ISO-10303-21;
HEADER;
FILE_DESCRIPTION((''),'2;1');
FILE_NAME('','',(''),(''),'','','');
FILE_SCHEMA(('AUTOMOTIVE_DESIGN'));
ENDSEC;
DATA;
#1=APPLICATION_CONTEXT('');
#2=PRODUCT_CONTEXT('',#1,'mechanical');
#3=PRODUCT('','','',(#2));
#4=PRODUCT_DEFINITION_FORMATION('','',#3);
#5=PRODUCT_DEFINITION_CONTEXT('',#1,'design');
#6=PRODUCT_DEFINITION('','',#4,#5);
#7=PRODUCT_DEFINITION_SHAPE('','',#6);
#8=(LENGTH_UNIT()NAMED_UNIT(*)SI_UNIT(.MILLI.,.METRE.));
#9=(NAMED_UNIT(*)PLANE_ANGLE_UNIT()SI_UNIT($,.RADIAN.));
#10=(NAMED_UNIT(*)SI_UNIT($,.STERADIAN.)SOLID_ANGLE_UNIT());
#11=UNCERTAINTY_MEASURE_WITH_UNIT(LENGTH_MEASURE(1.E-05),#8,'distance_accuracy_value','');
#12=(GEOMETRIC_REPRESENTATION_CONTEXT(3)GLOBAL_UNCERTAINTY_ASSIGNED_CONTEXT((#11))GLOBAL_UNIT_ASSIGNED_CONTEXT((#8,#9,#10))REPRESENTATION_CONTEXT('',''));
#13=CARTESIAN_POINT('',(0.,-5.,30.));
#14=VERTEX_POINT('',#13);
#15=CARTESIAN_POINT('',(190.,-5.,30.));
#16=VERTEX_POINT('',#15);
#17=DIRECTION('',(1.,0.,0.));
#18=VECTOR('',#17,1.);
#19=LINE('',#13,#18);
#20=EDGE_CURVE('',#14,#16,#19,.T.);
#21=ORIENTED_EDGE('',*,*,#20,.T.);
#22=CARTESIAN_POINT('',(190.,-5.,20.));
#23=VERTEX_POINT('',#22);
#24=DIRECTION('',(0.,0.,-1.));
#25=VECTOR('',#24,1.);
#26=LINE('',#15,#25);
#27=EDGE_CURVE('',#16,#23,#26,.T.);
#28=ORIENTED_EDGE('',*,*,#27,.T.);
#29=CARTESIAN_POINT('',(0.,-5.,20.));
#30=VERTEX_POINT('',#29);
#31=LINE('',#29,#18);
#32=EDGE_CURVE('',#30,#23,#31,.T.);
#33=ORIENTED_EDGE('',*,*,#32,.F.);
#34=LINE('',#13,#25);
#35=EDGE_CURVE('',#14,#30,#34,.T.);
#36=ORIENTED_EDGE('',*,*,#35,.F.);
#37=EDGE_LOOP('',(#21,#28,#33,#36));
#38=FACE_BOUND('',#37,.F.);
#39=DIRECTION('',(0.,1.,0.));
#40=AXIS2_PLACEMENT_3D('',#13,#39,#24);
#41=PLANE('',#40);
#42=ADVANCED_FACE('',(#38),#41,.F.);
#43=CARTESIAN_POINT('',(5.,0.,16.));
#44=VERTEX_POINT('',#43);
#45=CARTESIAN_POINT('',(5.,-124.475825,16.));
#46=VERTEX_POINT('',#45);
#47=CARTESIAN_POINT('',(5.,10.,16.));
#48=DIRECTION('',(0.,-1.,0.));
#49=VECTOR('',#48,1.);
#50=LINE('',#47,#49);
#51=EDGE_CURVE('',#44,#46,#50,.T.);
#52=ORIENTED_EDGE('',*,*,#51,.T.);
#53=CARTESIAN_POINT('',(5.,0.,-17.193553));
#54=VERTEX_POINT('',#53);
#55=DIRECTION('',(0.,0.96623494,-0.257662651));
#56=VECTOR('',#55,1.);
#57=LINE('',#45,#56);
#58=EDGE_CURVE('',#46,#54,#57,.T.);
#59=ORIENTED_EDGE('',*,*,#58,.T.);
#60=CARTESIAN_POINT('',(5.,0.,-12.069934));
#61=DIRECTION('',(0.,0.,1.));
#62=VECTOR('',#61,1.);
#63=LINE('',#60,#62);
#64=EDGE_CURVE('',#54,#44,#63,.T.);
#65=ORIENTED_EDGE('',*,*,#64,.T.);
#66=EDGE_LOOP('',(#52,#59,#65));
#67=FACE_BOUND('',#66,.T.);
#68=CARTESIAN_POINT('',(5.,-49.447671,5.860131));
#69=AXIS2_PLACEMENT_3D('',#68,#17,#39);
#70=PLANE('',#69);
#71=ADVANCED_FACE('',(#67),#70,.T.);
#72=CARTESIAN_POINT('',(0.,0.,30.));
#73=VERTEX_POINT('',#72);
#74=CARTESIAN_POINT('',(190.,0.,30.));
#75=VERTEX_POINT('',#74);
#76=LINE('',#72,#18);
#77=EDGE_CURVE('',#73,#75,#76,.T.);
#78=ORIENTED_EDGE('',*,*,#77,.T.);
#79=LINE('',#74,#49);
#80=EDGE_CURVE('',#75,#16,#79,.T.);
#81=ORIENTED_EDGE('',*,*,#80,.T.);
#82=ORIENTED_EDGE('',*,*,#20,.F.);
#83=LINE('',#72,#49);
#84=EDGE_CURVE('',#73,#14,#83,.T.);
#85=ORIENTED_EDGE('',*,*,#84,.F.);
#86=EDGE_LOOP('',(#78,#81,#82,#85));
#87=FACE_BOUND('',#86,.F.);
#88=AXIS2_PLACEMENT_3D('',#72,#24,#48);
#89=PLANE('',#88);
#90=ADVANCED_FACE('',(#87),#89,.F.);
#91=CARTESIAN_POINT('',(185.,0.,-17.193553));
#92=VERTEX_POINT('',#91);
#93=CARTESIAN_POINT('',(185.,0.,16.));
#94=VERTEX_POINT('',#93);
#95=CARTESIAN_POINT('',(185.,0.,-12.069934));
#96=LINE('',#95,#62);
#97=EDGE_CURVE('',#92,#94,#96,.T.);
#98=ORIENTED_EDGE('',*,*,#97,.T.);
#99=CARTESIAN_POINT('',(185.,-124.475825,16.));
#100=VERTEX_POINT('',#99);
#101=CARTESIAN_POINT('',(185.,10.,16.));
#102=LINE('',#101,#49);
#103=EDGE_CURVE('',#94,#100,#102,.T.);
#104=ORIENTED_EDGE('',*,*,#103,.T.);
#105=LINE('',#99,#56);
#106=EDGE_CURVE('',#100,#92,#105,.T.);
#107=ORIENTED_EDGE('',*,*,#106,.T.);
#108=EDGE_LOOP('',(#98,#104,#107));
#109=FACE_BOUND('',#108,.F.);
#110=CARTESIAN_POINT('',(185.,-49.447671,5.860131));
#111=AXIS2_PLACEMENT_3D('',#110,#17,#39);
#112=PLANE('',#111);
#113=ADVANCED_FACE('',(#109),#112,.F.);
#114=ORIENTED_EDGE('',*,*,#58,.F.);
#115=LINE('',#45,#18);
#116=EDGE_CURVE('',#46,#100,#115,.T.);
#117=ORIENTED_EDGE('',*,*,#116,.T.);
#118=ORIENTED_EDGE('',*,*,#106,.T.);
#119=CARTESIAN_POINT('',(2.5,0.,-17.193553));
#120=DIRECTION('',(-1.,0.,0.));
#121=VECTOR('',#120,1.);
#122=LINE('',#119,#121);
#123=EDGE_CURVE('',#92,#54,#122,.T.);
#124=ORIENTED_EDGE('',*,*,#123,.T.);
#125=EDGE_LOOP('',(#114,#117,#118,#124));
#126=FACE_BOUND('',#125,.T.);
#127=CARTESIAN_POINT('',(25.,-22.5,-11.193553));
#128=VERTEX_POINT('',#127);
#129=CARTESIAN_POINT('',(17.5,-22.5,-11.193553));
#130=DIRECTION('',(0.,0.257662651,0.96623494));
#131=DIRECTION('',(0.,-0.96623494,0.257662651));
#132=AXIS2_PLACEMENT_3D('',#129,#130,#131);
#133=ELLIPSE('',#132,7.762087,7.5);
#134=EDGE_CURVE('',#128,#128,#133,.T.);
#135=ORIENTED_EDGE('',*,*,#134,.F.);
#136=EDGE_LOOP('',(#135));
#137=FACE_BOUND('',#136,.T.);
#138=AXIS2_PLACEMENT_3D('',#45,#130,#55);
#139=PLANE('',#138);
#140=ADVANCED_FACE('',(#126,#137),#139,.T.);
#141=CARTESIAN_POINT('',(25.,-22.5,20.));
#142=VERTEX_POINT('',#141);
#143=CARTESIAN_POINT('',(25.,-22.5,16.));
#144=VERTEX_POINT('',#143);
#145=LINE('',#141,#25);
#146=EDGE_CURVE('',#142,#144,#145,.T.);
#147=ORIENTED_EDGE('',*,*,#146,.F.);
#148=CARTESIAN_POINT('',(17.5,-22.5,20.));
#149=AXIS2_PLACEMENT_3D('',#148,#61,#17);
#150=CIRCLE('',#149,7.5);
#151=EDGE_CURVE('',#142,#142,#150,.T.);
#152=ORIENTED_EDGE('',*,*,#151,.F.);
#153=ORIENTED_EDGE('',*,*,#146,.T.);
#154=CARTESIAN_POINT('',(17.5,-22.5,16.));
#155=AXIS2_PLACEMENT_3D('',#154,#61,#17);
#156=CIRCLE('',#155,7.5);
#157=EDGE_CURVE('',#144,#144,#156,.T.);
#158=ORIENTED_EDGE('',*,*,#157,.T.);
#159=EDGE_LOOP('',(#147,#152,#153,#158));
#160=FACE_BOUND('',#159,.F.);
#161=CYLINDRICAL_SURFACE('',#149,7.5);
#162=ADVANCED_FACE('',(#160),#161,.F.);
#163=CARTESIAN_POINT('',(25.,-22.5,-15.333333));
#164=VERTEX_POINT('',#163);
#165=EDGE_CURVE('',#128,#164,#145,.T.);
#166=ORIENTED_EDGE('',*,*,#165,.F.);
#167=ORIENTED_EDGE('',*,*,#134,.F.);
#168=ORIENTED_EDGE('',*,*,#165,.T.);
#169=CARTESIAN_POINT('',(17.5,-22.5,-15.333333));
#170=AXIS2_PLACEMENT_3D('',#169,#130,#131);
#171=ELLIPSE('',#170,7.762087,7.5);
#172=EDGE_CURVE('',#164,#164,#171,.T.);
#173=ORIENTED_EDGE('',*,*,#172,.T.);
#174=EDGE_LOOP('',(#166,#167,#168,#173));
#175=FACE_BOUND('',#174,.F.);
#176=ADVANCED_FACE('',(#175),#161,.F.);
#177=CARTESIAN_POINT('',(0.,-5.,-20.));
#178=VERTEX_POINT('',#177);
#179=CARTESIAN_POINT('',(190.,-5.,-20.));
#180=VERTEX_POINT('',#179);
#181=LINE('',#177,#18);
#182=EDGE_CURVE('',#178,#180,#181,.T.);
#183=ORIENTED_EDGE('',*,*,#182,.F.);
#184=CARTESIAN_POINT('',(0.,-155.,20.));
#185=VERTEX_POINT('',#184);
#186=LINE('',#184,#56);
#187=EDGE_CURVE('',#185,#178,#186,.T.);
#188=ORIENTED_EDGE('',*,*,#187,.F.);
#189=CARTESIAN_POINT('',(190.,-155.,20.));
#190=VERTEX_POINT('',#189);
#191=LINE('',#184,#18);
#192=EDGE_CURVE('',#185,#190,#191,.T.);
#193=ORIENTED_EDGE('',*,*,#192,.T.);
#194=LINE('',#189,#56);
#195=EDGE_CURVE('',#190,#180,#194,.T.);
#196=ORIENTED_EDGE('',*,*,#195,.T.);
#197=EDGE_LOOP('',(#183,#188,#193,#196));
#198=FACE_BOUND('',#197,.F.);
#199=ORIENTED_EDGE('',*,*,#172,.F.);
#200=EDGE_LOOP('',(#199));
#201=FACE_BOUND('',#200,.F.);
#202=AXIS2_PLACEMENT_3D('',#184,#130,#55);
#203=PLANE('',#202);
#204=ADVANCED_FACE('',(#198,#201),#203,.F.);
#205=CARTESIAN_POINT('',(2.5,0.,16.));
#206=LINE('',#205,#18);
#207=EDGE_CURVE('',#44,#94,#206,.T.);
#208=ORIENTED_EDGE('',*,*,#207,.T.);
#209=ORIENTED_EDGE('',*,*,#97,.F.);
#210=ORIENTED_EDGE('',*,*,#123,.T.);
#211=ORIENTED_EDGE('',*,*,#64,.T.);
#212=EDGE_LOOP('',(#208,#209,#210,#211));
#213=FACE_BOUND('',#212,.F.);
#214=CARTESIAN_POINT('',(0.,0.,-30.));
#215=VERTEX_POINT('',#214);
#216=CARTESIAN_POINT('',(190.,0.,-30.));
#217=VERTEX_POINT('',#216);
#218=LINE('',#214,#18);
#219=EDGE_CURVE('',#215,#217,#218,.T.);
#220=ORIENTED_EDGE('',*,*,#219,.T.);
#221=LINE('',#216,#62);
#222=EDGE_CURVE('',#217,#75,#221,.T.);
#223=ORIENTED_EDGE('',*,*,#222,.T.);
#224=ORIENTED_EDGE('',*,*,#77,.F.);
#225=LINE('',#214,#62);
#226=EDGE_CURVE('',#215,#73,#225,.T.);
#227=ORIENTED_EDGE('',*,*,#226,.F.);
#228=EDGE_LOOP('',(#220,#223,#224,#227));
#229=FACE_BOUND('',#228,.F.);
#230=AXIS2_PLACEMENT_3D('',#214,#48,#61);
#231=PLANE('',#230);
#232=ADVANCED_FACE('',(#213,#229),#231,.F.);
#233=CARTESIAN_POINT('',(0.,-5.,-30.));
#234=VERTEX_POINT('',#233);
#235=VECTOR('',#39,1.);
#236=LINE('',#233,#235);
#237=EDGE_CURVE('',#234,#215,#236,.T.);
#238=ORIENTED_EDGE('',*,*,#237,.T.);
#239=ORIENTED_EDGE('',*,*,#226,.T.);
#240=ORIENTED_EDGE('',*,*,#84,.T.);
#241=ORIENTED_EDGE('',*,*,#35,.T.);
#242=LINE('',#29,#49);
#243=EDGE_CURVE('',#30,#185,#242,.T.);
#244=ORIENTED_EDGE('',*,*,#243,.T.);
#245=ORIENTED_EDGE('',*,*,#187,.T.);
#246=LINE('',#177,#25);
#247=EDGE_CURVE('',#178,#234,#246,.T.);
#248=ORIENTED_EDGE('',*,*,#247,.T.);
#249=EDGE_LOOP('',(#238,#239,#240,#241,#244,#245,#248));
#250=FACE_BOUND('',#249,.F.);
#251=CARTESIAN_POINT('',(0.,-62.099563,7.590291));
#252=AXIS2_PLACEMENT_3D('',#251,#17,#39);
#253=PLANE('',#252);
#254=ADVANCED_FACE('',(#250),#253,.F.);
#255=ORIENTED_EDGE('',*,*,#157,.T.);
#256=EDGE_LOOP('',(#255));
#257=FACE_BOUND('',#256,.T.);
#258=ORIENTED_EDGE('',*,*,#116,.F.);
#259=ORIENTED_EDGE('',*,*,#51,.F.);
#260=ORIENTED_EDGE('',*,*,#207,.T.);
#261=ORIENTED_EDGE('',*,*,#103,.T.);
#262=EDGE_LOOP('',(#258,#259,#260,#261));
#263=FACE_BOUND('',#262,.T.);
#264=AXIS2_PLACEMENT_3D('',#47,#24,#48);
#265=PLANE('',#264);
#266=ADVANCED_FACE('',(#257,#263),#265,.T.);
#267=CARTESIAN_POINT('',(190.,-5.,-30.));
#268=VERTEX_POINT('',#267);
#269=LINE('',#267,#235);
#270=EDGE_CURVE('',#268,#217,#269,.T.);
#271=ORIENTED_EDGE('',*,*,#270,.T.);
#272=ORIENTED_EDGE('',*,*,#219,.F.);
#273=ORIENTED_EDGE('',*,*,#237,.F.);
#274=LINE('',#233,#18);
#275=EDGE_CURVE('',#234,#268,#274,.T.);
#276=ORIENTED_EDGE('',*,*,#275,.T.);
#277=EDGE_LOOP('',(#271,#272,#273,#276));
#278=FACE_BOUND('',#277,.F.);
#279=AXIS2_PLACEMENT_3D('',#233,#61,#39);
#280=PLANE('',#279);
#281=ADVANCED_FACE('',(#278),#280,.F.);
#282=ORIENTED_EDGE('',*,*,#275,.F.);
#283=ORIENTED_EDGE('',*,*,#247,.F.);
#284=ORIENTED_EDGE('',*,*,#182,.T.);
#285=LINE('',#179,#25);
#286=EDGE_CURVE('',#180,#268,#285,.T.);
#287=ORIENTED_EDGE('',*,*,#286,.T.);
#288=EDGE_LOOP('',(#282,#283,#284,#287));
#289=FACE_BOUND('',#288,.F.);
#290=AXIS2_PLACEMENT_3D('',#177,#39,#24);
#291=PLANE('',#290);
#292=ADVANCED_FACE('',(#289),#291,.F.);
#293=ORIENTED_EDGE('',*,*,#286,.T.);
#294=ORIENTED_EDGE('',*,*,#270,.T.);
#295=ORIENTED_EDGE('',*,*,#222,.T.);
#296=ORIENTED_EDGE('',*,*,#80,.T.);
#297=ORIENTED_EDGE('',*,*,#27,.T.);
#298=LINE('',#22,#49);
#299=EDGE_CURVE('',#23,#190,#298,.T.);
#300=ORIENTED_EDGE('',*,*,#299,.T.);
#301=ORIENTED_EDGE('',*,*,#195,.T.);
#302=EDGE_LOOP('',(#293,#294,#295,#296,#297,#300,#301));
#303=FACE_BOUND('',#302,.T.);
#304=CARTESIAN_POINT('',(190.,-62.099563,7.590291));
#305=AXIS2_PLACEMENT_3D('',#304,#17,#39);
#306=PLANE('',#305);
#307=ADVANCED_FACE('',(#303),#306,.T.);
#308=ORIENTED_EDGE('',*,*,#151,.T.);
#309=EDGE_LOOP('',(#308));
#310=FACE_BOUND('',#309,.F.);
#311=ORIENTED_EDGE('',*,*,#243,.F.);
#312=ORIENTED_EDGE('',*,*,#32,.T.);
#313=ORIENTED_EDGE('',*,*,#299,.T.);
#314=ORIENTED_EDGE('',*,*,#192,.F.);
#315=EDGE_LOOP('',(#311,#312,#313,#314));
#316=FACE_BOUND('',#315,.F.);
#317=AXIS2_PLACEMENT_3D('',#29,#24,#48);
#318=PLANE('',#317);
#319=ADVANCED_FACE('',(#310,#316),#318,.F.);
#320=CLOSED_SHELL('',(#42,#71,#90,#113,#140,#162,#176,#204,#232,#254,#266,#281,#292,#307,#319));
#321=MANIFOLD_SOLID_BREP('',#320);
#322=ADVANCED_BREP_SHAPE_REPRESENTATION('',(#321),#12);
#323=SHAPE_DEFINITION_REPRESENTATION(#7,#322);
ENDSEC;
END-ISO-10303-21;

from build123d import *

# Parameters (mm, degrees)
PAD001_DEPTH = 180
PAD_DEPTH    = 190
SKETCH002_R  = 7.5
POCKET_DEPTH = 50.001


with BuildPart() as pad_02_triangulo_interno:
    # Sketch001 → Pad001 (new body)
    with BuildSketch(Plane.YZ.offset(5)):
        Polygon((10, 16), (-124.475825, 16), (10, -19.86022), align=None)
    extrude(amount=PAD001_DEPTH)


with BuildPart() as pocket_01_buracos_grandes:
    # Sketch → Pad (new body)
    with BuildSketch(Plane.YZ):
        Polygon((-5, -30), (0, -30), (0, 30), (-5, 30), (-5, 20), (-155, 20), (-5, -20), align=None)
    extrude(amount=PAD_DEPTH)

    # Cut: cut Pad 02 - Triangulo Interno
    add(pad_02_triangulo_interno.part, mode=Mode.SUBTRACT)

    # Sketch002 → Pocket (cut, through all)
    with BuildSketch(Plane.XY.offset(20)):
        with Locations((17.5, -22.5)):
            Circle(SKETCH002_R)
    extrude(amount=-POCKET_DEPTH, mode=Mode.SUBTRACT)


solid = pocket_01_buracos_grandes.part
